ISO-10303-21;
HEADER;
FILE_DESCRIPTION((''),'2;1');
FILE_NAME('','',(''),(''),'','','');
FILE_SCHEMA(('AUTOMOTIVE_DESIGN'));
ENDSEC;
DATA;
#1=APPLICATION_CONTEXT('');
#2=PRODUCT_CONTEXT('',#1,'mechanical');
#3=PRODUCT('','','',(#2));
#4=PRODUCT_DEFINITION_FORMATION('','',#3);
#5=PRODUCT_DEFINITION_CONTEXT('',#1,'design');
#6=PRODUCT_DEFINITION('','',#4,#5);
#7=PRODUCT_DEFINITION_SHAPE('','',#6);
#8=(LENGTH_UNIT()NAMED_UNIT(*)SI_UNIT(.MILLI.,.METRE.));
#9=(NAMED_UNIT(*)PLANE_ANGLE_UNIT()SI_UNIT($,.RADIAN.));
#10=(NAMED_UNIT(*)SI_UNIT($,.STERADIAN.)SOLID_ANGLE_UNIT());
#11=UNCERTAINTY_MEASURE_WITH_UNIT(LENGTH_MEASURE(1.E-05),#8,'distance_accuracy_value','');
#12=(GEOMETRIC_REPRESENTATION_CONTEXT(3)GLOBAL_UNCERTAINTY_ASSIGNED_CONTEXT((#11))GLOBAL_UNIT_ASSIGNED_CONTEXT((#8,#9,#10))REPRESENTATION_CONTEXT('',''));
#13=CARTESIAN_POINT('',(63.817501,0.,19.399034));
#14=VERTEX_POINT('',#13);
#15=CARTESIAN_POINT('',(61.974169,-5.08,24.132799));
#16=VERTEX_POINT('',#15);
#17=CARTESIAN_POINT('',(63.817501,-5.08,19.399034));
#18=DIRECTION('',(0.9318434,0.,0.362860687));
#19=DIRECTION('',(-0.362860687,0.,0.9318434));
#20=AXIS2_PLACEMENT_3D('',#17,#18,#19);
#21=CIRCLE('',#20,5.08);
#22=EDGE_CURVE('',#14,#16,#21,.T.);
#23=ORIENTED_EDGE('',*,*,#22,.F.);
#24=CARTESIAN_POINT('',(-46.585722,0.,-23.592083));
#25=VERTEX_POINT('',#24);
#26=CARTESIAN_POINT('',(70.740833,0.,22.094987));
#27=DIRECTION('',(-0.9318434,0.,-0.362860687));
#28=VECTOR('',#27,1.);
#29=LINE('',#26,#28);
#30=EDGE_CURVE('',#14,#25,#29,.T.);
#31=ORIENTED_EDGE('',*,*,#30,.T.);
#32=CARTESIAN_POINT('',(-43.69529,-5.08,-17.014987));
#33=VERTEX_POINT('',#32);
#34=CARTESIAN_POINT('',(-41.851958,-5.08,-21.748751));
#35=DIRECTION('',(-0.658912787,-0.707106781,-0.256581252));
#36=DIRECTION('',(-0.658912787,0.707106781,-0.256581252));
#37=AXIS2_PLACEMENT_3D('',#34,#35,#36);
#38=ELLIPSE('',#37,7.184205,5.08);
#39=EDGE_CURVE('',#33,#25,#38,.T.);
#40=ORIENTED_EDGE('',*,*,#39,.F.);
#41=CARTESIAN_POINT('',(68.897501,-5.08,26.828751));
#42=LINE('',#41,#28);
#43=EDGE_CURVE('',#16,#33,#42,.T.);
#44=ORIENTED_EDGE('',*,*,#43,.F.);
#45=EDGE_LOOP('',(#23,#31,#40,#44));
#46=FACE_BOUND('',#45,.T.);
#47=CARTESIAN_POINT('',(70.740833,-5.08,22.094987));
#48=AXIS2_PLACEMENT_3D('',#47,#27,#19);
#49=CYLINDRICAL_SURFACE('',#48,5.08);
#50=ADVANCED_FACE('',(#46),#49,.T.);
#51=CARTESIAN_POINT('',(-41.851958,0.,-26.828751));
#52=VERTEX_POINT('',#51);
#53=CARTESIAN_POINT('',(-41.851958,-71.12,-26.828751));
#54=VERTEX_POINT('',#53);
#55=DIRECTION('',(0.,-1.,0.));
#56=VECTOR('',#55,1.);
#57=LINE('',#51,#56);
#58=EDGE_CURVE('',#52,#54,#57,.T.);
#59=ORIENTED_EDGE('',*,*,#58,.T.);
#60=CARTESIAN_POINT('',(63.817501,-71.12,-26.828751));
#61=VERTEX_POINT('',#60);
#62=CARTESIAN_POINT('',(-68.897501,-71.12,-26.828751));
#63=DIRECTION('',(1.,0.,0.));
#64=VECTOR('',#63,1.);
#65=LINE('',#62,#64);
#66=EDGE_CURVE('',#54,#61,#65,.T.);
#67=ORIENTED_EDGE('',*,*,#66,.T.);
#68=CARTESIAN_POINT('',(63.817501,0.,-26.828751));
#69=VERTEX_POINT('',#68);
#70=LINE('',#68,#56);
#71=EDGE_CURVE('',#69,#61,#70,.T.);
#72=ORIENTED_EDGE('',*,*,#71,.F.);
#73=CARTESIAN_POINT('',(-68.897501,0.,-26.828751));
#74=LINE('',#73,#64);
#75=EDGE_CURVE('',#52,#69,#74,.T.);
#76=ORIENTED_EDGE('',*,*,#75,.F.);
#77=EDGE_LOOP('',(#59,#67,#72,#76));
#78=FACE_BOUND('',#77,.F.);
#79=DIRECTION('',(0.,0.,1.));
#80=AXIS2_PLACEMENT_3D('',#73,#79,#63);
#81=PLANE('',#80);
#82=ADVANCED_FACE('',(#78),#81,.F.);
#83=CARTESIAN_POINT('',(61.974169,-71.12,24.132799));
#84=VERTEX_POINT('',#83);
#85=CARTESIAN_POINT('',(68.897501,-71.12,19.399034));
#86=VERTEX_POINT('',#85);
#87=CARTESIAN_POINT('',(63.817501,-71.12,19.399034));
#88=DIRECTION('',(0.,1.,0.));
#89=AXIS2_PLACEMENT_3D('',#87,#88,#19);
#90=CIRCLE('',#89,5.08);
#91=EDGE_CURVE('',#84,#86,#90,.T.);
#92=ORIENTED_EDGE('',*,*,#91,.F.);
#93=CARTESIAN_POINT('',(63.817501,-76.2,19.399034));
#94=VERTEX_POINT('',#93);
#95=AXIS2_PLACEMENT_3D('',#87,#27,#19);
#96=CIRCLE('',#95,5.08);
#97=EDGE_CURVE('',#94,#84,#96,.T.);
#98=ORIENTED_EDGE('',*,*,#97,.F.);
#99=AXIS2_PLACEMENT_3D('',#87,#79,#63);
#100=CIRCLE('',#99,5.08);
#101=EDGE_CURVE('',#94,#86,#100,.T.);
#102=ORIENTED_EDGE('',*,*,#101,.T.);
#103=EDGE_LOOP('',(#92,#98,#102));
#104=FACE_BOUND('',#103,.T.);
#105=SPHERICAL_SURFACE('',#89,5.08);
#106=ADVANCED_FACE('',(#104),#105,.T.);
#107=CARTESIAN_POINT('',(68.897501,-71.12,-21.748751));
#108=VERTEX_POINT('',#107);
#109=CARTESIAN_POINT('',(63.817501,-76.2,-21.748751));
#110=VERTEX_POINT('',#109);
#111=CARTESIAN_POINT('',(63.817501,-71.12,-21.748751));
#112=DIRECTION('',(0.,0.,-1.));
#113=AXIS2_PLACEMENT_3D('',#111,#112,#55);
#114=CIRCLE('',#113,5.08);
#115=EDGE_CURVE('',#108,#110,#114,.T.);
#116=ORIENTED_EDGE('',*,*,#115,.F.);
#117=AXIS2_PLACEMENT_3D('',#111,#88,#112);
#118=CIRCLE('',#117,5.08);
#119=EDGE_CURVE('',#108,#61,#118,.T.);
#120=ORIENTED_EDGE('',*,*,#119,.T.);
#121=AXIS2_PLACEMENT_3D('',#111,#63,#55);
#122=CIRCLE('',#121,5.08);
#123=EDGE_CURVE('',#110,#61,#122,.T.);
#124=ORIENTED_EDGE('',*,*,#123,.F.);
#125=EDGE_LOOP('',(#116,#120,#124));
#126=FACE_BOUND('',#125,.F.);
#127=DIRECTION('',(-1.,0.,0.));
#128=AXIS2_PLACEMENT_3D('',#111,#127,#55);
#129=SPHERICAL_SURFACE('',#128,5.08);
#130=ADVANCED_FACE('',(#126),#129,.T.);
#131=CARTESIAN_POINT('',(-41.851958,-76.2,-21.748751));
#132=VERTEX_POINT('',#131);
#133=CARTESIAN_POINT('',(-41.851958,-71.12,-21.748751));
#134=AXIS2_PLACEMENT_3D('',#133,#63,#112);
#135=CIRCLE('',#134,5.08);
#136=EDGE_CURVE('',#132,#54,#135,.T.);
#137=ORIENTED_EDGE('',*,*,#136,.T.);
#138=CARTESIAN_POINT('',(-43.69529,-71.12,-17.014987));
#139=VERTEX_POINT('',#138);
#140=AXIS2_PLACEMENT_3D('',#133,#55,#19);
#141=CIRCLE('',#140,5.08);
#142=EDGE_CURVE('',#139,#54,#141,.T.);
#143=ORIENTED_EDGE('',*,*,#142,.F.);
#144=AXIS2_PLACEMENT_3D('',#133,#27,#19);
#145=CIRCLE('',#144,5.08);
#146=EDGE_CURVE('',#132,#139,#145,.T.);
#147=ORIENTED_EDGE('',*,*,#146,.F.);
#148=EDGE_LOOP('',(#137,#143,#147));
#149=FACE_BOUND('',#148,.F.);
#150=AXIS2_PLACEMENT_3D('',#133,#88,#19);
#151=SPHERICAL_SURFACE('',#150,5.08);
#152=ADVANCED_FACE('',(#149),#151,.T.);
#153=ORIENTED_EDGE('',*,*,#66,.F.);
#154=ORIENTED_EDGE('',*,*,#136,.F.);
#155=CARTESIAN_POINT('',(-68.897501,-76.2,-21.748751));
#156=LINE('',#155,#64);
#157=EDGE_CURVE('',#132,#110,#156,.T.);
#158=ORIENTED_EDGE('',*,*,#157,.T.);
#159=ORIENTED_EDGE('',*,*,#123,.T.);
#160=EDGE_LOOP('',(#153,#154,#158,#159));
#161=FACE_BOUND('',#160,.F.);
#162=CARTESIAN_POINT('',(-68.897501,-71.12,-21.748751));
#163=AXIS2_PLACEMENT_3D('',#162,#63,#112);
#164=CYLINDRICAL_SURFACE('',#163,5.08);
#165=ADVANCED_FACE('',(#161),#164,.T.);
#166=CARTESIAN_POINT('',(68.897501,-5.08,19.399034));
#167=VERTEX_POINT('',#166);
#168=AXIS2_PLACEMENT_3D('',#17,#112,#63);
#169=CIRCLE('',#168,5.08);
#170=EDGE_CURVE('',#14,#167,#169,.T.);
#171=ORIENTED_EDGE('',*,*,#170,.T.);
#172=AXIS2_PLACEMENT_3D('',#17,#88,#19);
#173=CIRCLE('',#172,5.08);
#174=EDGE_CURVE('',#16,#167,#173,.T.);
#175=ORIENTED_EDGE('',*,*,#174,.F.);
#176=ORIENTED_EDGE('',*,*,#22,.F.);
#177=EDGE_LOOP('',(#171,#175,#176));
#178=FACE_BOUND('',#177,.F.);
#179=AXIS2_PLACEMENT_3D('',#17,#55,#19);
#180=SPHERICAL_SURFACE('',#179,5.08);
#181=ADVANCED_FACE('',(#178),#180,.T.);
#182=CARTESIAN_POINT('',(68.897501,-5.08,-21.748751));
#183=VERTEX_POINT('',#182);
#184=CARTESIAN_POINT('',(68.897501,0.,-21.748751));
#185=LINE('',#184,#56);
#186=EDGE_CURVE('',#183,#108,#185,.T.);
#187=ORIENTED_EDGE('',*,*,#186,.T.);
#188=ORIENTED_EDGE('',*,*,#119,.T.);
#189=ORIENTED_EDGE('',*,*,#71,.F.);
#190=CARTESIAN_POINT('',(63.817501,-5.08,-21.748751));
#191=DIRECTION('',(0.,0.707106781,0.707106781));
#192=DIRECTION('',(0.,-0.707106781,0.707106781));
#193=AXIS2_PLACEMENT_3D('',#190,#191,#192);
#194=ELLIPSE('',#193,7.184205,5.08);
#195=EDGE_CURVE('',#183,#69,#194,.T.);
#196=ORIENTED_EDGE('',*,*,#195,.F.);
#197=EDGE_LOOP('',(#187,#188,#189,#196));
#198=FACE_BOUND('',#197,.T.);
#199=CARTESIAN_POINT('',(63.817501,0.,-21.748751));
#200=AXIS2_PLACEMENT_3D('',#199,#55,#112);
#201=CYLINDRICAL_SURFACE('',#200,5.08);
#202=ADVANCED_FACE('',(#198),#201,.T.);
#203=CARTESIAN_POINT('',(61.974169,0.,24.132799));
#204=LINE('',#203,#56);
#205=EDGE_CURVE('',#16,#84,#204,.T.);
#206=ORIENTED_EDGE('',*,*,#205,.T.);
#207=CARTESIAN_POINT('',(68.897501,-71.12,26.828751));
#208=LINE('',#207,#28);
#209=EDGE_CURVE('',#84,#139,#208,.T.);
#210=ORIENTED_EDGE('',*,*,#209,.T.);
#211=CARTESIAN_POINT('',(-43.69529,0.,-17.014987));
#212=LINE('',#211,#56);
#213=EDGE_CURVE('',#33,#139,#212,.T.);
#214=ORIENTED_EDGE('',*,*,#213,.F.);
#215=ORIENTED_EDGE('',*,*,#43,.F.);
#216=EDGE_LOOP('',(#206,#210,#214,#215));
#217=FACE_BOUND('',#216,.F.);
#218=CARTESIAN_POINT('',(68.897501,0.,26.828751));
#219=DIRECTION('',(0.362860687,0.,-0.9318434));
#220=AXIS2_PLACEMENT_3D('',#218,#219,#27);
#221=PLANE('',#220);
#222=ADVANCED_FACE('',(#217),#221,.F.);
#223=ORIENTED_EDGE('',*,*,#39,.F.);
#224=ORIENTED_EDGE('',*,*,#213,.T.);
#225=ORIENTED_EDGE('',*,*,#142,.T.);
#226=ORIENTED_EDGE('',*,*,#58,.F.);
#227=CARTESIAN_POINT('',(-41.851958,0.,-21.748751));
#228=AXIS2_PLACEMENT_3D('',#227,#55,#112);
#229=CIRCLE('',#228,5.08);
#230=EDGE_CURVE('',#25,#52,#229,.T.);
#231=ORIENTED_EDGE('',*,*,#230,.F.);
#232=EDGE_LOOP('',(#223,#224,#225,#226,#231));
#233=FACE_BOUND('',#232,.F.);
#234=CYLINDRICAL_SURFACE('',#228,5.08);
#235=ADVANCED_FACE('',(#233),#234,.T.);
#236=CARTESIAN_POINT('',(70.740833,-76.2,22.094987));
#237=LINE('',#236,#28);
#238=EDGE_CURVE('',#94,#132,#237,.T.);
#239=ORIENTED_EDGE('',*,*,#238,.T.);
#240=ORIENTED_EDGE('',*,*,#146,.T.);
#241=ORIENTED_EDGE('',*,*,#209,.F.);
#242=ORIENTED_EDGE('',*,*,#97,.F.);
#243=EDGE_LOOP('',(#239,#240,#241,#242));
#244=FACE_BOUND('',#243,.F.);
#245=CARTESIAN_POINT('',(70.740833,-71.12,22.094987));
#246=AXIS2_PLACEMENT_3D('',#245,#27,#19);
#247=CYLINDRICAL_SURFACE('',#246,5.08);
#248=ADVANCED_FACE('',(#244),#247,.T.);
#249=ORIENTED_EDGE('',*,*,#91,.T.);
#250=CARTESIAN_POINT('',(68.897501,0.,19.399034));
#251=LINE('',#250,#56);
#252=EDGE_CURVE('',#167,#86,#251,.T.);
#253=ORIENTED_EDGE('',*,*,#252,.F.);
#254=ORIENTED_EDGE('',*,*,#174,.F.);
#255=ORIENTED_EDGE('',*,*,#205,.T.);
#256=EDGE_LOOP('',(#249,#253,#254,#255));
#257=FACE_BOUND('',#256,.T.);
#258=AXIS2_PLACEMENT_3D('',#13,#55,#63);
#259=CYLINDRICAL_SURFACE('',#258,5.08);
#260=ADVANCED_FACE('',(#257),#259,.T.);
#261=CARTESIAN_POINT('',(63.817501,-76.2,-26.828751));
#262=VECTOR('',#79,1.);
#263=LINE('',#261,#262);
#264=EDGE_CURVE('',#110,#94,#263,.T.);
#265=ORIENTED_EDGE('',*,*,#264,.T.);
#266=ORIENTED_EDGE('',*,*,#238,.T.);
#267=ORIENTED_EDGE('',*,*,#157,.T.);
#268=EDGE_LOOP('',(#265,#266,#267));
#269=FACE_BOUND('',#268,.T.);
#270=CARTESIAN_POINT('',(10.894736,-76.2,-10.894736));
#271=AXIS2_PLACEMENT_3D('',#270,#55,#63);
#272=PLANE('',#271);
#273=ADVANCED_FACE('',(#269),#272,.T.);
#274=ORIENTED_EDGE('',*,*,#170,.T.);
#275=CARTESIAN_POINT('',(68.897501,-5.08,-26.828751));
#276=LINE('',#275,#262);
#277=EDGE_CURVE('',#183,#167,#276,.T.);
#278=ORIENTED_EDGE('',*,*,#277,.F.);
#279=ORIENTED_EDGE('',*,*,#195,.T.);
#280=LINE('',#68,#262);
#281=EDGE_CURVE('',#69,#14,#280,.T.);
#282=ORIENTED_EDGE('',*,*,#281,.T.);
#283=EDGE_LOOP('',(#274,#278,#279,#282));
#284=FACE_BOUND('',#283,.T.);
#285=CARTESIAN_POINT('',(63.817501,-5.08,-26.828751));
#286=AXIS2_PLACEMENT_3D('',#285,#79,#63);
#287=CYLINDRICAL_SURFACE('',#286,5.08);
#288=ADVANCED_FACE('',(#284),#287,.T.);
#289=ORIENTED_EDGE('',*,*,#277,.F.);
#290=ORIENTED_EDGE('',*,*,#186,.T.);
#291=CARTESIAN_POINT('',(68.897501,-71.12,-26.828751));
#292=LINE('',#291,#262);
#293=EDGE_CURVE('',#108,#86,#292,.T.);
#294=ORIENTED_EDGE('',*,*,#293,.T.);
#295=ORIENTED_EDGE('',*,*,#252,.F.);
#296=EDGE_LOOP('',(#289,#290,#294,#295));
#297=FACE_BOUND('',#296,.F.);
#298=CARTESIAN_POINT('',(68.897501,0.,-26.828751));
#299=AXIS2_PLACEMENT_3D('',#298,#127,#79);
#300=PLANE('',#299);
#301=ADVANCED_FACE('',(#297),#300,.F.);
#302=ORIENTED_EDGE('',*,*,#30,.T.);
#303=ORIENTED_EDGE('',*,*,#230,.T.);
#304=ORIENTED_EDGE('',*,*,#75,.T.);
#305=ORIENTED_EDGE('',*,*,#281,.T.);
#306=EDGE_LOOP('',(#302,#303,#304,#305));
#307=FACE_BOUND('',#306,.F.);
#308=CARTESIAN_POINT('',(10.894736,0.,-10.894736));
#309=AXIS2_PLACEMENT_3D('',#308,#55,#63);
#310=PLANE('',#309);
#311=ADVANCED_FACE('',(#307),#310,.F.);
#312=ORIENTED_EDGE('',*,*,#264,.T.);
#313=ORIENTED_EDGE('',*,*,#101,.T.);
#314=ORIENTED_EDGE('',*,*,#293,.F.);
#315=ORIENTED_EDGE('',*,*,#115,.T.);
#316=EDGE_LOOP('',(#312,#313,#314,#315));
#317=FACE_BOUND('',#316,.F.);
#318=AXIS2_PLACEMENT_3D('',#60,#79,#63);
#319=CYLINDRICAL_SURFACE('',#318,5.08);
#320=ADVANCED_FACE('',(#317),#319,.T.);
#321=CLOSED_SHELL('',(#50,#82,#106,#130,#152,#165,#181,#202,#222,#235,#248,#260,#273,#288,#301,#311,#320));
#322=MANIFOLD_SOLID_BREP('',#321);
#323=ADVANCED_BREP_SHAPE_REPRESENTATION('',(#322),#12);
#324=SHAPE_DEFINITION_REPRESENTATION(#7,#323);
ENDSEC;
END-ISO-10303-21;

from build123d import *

# Parameters (mm, degrees)
F1_DEPTH = 76.2
F2_R     = 5.08


with BuildPart() as f1:
    # F0 (on Front) → F1 (new body)
    with BuildSketch(Plane.XZ):
        Polygon((-68.897501, -26.828751), (68.897501, -26.828751), (68.897501, 26.828751), align=None)
    extrude(amount=F1_DEPTH)

    # F2
    f2_edges = [f1.edges().sort_by_distance(p)[0] for p in [
        (0, -76.2, 0),
        (0, 0, 0),
        (0, -76.2, -26.828751),
        (-68.897501, -38.1, -26.828751),
        (68.897501, -76.2, 0),
        (68.897501, 0, 0),
        (68.897501, -38.1, -26.828751),
        (68.897501, -38.1, 26.828751),
    ]]
    fillet(f2_edges, radius=F2_R)


solid = f1.part
